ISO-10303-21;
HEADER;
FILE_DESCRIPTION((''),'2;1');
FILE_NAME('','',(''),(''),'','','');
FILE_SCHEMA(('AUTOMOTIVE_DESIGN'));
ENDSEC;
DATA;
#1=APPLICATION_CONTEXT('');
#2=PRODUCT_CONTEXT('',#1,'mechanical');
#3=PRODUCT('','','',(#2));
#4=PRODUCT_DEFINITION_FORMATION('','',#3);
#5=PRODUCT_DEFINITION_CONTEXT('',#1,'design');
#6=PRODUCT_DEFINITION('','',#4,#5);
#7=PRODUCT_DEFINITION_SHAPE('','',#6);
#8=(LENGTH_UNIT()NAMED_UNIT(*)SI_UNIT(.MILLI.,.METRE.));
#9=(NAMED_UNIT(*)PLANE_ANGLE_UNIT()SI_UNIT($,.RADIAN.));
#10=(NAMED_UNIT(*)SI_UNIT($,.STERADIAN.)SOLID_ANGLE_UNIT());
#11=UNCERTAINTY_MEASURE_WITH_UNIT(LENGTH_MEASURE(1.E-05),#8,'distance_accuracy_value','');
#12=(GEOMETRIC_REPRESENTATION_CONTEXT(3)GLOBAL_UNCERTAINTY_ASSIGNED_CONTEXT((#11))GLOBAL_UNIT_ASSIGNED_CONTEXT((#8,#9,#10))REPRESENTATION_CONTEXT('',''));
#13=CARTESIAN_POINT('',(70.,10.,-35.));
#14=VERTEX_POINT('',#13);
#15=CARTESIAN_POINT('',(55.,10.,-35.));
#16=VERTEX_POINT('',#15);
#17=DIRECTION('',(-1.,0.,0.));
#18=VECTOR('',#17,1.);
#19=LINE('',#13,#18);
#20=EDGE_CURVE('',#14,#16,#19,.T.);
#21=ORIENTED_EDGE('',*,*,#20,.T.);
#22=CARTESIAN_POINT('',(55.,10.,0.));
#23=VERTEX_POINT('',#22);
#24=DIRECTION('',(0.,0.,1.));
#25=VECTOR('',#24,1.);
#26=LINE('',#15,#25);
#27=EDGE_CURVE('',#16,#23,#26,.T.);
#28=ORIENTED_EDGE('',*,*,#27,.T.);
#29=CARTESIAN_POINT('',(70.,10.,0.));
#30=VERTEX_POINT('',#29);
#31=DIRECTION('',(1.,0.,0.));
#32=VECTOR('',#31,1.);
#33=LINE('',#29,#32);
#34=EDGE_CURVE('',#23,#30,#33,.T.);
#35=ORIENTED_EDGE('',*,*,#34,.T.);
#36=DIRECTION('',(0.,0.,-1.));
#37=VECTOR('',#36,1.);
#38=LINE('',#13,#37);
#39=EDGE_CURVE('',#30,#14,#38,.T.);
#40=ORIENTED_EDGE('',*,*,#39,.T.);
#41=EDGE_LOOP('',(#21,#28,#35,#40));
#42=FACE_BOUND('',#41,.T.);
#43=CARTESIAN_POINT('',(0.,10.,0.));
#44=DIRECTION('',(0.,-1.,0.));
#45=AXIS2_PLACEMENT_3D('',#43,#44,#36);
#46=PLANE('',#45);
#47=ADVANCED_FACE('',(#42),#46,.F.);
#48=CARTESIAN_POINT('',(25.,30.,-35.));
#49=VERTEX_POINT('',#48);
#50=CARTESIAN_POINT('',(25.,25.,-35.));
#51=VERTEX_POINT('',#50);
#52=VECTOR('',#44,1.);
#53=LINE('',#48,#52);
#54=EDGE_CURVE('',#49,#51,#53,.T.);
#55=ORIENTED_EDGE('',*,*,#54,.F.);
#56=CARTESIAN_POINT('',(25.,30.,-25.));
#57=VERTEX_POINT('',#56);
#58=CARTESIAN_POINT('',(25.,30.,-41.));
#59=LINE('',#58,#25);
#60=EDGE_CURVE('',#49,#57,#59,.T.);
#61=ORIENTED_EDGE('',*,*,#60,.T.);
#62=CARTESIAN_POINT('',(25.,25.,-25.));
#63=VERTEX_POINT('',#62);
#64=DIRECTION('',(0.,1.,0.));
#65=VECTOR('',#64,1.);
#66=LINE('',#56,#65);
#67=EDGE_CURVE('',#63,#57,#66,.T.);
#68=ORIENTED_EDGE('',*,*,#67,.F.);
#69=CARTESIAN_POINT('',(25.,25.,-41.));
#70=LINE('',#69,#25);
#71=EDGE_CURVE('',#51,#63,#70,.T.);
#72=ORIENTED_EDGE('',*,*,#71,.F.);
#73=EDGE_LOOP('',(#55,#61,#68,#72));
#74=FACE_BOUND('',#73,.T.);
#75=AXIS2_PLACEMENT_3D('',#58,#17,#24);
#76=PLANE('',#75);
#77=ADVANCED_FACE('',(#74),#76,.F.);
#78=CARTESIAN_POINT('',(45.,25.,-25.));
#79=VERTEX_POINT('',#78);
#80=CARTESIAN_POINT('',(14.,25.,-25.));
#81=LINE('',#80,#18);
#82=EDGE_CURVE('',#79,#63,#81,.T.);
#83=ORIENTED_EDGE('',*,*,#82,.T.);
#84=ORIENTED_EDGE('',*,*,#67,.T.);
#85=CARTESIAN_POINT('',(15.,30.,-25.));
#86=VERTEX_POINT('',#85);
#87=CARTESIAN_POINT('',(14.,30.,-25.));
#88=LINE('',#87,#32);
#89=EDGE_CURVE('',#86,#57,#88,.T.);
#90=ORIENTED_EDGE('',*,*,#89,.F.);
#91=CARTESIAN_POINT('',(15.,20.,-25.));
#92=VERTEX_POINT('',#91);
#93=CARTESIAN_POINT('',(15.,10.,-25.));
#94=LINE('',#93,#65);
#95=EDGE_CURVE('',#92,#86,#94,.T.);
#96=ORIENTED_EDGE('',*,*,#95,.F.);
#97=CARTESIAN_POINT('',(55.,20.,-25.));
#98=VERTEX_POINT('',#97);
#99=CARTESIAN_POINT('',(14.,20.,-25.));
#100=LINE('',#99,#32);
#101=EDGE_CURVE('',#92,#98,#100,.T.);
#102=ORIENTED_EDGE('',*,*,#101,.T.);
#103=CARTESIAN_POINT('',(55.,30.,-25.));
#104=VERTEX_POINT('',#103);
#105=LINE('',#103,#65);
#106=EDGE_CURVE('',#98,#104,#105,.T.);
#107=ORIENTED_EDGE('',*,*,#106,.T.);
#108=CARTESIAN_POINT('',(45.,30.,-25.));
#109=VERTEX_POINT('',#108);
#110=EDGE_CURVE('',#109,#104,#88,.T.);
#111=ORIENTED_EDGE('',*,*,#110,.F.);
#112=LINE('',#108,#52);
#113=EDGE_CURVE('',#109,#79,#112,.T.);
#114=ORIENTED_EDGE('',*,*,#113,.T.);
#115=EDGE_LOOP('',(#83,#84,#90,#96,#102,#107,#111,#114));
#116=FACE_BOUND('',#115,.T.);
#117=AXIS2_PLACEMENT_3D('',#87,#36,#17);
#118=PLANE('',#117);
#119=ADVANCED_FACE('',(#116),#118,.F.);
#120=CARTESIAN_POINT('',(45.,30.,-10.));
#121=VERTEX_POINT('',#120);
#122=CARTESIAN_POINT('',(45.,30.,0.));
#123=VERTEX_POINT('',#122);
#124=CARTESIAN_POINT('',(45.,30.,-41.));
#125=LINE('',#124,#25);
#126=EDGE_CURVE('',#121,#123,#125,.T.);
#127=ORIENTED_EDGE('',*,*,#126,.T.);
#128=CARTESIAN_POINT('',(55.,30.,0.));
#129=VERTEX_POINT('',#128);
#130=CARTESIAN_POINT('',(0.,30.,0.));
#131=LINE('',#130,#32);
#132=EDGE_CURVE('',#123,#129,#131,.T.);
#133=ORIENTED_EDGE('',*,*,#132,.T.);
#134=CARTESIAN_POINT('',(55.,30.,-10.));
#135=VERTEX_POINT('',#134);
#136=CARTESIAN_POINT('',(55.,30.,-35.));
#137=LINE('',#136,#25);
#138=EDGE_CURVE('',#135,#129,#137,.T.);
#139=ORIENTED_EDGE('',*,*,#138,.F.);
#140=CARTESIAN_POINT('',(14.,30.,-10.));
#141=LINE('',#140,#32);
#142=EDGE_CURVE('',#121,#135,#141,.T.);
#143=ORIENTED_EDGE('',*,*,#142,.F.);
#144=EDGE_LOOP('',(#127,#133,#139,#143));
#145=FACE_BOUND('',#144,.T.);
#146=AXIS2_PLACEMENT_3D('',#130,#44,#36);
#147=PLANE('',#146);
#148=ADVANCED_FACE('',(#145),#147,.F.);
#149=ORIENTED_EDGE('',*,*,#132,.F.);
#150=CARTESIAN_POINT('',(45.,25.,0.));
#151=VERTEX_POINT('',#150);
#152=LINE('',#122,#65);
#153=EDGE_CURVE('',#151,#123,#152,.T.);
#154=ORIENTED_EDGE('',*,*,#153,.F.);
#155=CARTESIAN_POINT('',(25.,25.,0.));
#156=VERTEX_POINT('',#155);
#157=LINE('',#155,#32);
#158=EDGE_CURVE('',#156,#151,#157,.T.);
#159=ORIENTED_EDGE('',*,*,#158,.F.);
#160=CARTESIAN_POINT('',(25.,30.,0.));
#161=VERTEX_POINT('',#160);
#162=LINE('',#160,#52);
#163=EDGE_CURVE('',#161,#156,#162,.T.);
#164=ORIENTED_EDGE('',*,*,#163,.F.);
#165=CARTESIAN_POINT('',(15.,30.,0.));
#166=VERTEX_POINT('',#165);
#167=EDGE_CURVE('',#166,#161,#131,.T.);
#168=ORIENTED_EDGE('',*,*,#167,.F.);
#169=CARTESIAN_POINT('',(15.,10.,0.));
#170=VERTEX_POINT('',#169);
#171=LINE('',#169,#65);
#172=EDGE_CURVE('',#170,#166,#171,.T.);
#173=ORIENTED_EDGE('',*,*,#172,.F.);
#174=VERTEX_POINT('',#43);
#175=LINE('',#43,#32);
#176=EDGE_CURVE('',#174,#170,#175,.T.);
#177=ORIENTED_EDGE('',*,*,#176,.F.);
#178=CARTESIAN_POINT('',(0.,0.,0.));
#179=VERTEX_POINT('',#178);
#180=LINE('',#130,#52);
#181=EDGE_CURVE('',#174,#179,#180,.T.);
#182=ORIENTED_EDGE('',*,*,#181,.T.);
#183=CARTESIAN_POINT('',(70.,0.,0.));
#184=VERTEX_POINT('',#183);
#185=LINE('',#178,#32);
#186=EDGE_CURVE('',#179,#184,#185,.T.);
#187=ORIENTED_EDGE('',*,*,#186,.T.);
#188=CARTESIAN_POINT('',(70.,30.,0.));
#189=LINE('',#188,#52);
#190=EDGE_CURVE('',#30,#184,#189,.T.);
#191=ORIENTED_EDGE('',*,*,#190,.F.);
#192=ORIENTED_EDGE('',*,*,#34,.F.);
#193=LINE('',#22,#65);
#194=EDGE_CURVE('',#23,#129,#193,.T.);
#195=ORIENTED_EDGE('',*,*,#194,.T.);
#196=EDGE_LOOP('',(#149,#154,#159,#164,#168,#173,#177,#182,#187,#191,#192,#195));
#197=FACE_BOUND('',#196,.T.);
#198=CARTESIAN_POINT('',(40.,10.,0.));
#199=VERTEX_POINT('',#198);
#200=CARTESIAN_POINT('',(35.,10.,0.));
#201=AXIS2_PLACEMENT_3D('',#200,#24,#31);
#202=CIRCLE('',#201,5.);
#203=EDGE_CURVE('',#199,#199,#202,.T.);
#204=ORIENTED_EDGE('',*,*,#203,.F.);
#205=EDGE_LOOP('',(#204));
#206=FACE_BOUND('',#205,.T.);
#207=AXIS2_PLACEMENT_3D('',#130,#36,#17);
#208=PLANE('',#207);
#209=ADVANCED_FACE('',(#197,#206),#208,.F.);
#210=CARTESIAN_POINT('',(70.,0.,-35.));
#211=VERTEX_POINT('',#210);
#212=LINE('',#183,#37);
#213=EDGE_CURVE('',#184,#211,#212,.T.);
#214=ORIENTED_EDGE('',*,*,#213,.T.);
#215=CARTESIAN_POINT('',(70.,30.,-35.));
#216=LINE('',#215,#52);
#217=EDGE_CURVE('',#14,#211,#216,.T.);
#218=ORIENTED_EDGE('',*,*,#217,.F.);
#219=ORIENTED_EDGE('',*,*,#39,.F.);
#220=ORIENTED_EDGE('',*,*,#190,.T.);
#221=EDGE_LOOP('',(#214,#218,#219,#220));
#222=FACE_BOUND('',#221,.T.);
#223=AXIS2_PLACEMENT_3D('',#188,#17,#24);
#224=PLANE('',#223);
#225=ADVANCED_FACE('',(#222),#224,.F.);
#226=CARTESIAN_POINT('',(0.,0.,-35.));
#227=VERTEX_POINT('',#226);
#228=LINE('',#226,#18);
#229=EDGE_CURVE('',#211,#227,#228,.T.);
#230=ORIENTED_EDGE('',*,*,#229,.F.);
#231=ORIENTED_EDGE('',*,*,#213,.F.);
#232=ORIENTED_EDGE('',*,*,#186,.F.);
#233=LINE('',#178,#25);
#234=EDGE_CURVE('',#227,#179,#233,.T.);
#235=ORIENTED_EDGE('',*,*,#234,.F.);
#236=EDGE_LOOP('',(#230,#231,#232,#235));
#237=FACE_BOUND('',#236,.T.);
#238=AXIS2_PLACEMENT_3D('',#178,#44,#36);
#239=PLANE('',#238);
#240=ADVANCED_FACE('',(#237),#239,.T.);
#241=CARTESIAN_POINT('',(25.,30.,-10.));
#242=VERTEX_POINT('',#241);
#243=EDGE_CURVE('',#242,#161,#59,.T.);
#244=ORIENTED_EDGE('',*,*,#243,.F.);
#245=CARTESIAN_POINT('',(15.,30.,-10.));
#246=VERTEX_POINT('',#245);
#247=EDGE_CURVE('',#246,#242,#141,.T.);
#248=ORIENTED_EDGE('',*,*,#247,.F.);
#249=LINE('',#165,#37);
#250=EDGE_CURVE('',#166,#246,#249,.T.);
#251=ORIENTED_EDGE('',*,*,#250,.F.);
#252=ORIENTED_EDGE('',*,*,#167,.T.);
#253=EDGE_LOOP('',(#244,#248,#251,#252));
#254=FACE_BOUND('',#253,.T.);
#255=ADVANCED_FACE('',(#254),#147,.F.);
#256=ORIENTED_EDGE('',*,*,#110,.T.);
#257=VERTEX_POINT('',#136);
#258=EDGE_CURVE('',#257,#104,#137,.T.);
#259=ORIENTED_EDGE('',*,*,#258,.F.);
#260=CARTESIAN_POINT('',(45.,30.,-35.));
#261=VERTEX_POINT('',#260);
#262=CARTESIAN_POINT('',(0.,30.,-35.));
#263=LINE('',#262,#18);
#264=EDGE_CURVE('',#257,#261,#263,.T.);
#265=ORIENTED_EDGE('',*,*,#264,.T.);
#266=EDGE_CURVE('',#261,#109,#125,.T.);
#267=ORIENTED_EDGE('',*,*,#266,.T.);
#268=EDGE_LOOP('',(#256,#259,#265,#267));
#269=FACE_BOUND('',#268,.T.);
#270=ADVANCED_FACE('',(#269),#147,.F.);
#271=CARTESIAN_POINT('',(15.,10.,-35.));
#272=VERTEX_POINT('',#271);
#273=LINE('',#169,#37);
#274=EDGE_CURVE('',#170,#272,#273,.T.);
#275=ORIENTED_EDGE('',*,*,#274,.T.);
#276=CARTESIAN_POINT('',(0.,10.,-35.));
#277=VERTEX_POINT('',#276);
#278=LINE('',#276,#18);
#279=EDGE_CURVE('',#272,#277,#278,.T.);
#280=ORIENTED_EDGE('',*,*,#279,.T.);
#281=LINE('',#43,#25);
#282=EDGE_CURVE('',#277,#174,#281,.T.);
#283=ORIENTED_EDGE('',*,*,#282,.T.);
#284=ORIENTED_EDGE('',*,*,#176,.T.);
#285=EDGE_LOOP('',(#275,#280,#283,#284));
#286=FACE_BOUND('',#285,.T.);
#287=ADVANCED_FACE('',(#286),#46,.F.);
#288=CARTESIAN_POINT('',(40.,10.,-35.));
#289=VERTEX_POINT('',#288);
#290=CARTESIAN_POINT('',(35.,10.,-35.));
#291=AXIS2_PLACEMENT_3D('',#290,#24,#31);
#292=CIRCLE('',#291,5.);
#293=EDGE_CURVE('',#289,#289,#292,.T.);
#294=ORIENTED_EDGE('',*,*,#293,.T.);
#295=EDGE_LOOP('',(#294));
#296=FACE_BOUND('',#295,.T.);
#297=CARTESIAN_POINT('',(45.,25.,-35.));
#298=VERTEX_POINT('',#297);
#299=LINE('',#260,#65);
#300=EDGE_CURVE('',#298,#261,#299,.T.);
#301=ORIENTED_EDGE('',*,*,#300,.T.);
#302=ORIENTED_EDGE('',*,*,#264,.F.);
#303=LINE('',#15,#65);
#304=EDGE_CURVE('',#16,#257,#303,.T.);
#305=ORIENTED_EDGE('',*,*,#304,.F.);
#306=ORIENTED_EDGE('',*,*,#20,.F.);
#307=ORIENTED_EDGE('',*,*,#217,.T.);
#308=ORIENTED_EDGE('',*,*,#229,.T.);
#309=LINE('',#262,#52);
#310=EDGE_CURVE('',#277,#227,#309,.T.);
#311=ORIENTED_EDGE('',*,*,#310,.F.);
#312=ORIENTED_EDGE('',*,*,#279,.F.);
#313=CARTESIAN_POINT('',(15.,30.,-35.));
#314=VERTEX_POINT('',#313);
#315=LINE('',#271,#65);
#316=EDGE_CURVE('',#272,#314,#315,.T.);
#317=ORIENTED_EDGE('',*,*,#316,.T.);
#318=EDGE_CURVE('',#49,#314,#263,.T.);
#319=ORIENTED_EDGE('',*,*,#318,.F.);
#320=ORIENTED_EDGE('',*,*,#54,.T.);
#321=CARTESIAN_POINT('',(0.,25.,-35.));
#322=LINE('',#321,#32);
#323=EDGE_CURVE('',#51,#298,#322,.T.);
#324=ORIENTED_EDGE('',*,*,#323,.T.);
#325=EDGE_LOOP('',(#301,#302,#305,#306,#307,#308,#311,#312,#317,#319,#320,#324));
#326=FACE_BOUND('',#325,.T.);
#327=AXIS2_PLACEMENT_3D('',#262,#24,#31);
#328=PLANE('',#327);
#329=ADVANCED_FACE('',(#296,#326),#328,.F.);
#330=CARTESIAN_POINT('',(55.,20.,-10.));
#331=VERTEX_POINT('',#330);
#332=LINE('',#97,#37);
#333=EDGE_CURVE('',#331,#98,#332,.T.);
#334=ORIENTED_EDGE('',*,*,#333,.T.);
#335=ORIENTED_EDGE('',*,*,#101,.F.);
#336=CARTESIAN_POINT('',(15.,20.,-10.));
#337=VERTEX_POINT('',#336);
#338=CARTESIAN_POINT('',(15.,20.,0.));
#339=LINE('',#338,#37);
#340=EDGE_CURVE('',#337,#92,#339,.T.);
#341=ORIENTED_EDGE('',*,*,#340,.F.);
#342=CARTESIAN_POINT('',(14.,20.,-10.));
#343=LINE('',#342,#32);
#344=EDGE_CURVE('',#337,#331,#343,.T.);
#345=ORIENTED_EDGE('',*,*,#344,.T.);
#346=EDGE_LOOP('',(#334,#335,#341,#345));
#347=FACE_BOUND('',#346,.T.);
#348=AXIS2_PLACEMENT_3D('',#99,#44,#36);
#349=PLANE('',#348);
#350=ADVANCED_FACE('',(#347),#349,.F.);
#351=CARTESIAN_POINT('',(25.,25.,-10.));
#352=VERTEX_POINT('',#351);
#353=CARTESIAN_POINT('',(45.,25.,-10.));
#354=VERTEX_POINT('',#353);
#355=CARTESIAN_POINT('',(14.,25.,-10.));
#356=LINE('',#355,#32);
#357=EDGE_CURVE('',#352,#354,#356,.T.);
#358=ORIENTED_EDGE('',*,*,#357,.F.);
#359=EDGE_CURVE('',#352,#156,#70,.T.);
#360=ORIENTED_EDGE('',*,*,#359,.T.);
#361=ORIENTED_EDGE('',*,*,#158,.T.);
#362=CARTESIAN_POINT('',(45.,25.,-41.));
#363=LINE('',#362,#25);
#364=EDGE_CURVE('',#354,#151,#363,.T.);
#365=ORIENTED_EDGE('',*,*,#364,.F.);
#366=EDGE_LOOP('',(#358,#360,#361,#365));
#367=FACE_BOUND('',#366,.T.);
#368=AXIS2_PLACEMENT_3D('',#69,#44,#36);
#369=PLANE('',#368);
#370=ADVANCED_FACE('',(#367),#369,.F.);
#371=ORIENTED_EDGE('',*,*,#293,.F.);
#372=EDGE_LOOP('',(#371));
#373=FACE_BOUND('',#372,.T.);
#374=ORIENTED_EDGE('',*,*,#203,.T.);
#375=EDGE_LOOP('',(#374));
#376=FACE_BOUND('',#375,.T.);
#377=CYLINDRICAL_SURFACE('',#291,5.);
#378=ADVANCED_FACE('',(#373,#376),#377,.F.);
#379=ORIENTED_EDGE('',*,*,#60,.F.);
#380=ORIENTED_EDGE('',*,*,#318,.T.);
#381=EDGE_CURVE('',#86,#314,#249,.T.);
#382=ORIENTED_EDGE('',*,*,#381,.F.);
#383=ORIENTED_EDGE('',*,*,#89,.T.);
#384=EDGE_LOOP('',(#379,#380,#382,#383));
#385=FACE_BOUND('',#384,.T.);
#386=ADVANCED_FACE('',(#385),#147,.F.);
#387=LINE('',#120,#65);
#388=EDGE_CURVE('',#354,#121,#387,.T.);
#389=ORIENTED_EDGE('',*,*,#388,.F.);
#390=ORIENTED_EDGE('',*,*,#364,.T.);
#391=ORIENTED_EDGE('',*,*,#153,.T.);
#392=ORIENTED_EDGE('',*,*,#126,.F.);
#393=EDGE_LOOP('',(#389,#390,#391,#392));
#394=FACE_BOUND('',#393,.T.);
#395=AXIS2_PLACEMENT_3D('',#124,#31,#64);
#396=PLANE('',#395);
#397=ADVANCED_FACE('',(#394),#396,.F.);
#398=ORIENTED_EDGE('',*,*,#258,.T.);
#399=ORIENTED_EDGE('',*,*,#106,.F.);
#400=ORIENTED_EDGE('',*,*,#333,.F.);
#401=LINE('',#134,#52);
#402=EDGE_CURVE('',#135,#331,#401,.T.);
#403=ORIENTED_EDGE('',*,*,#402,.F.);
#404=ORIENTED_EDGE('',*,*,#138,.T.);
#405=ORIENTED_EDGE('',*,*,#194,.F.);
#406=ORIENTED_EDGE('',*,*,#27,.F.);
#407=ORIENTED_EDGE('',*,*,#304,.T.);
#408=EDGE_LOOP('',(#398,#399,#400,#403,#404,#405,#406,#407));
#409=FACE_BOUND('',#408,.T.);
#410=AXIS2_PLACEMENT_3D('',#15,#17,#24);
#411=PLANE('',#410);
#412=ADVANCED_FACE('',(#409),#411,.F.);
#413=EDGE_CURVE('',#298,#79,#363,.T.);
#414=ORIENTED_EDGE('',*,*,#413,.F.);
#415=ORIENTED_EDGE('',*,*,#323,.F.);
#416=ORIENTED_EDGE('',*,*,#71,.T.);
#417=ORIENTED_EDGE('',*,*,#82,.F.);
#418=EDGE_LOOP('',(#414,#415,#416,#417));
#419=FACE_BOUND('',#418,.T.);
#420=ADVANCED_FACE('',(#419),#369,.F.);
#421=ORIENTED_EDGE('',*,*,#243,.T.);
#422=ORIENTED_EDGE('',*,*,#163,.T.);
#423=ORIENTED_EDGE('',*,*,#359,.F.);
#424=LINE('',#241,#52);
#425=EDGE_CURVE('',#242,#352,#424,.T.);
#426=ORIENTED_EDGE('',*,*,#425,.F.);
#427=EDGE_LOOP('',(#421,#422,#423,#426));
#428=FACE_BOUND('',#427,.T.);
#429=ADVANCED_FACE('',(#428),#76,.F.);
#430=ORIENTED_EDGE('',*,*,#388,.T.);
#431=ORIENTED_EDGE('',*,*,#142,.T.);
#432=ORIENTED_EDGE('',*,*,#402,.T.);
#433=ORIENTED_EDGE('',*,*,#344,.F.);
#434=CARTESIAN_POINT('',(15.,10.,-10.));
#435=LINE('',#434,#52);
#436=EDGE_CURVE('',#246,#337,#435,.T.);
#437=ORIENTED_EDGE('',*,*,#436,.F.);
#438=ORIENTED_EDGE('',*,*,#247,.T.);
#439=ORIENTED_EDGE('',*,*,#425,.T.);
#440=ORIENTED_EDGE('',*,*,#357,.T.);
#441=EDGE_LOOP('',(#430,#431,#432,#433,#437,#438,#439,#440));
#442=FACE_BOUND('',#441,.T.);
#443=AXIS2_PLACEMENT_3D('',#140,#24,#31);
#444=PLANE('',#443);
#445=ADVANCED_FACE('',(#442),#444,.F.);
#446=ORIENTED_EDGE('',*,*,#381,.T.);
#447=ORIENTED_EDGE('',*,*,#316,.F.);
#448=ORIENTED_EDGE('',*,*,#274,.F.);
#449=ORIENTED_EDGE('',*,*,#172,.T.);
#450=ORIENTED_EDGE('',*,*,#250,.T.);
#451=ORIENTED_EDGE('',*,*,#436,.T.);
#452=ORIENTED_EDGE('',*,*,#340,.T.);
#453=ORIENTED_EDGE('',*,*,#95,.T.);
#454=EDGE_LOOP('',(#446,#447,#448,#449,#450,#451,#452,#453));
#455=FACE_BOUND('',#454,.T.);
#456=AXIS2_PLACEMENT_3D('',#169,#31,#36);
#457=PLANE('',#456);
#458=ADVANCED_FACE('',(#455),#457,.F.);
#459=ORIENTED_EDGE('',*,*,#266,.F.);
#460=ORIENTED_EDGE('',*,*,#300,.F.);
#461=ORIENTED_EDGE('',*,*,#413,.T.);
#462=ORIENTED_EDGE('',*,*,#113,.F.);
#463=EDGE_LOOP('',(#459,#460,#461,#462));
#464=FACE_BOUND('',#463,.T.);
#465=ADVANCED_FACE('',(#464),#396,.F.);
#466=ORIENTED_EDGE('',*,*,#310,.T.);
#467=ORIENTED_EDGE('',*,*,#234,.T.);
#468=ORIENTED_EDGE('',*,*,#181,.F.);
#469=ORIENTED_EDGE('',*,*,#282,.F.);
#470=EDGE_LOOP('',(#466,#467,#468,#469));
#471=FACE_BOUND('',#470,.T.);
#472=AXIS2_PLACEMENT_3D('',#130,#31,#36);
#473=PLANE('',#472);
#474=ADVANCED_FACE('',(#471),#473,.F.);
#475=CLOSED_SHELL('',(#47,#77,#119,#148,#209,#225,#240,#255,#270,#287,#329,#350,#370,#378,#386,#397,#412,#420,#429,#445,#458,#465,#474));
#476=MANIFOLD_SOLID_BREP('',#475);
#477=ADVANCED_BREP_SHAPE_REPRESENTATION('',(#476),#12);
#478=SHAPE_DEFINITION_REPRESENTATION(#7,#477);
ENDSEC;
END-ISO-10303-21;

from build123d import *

# Parameters (mm, degrees)
SKETCH1_W           = 70
SKETCH1_H           = 35
BOSS_EXTRUDE1_DEPTH = 30
SKETCH2_W           = 15
SKETCH2_H           = 35
CUT_EXTRUDE1_DEPTH  = 20
SKETCH3_W           = 15
SKETCH3_H           = 35
CUT_EXTRUDE2_DEPTH  = 20
SKETCH4_W           = 15
SKETCH4_H           = 10
CUT_EXTRUDE3_DEPTH  = 41
SKETCH6_W           = 20
SKETCH6_H           = 5
CUT_EXTRUDE4_DEPTH  = 41
SKETCH7_R           = 5
CUT_EXTRUDE5_DEPTH  = 36


with BuildPart() as part:
    # Sketch1 → Boss-Extrude1 (new body)
    with BuildSketch(Plane(origin=(0, 0, 0), x_dir=(1, 0, 0), z_dir=(0, 1, 0))):
        with Locations((35, 17.5)):
            Rectangle(SKETCH1_W, SKETCH1_H)
    extrude(amount=BOSS_EXTRUDE1_DEPTH)

    # Sketch2 → Cut-Extrude1 (cut)
    with BuildSketch(Plane(origin=(0, 30, 0), x_dir=(1, 0, 0), z_dir=(0, 1, 0))):
        with Locations((7.5, 17.5)):
            Rectangle(SKETCH2_W, SKETCH2_H)
    extrude(amount=-CUT_EXTRUDE1_DEPTH, mode=Mode.SUBTRACT)

    # Sketch3 → Cut-Extrude2 (cut)
    with BuildSketch(Plane(origin=(0, 30, 0), x_dir=(1, 0, 0), z_dir=(0, 1, 0))):
        with Locations((62.5, 17.5)):
            Rectangle(SKETCH3_W, SKETCH3_H)
    extrude(amount=-CUT_EXTRUDE2_DEPTH, mode=Mode.SUBTRACT)

    # Sketch4 → Cut-Extrude3 (cut)
    with BuildSketch(Plane(origin=(55, 0, 0), x_dir=(0, 0, -1), z_dir=(1, 0, 0))):
        with Locations((17.5, 25)):
            Rectangle(SKETCH4_W, SKETCH4_H)
    extrude(amount=-CUT_EXTRUDE3_DEPTH, mode=Mode.SUBTRACT)

    # Sketch6 → Cut-Extrude4 (cut)
    with BuildSketch(Plane.XY):
        with Locations((35, 27.5)):
            Rectangle(SKETCH6_W, SKETCH6_H)
    extrude(amount=-CUT_EXTRUDE4_DEPTH, mode=Mode.SUBTRACT)

    # Sketch7 → Cut-Extrude5 (cut, through all)
    with BuildSketch(Plane.XY):
        with Locations((35, 10)):
            Circle(SKETCH7_R)
    extrude(amount=-CUT_EXTRUDE5_DEPTH, mode=Mode.SUBTRACT)


solid = part.part
